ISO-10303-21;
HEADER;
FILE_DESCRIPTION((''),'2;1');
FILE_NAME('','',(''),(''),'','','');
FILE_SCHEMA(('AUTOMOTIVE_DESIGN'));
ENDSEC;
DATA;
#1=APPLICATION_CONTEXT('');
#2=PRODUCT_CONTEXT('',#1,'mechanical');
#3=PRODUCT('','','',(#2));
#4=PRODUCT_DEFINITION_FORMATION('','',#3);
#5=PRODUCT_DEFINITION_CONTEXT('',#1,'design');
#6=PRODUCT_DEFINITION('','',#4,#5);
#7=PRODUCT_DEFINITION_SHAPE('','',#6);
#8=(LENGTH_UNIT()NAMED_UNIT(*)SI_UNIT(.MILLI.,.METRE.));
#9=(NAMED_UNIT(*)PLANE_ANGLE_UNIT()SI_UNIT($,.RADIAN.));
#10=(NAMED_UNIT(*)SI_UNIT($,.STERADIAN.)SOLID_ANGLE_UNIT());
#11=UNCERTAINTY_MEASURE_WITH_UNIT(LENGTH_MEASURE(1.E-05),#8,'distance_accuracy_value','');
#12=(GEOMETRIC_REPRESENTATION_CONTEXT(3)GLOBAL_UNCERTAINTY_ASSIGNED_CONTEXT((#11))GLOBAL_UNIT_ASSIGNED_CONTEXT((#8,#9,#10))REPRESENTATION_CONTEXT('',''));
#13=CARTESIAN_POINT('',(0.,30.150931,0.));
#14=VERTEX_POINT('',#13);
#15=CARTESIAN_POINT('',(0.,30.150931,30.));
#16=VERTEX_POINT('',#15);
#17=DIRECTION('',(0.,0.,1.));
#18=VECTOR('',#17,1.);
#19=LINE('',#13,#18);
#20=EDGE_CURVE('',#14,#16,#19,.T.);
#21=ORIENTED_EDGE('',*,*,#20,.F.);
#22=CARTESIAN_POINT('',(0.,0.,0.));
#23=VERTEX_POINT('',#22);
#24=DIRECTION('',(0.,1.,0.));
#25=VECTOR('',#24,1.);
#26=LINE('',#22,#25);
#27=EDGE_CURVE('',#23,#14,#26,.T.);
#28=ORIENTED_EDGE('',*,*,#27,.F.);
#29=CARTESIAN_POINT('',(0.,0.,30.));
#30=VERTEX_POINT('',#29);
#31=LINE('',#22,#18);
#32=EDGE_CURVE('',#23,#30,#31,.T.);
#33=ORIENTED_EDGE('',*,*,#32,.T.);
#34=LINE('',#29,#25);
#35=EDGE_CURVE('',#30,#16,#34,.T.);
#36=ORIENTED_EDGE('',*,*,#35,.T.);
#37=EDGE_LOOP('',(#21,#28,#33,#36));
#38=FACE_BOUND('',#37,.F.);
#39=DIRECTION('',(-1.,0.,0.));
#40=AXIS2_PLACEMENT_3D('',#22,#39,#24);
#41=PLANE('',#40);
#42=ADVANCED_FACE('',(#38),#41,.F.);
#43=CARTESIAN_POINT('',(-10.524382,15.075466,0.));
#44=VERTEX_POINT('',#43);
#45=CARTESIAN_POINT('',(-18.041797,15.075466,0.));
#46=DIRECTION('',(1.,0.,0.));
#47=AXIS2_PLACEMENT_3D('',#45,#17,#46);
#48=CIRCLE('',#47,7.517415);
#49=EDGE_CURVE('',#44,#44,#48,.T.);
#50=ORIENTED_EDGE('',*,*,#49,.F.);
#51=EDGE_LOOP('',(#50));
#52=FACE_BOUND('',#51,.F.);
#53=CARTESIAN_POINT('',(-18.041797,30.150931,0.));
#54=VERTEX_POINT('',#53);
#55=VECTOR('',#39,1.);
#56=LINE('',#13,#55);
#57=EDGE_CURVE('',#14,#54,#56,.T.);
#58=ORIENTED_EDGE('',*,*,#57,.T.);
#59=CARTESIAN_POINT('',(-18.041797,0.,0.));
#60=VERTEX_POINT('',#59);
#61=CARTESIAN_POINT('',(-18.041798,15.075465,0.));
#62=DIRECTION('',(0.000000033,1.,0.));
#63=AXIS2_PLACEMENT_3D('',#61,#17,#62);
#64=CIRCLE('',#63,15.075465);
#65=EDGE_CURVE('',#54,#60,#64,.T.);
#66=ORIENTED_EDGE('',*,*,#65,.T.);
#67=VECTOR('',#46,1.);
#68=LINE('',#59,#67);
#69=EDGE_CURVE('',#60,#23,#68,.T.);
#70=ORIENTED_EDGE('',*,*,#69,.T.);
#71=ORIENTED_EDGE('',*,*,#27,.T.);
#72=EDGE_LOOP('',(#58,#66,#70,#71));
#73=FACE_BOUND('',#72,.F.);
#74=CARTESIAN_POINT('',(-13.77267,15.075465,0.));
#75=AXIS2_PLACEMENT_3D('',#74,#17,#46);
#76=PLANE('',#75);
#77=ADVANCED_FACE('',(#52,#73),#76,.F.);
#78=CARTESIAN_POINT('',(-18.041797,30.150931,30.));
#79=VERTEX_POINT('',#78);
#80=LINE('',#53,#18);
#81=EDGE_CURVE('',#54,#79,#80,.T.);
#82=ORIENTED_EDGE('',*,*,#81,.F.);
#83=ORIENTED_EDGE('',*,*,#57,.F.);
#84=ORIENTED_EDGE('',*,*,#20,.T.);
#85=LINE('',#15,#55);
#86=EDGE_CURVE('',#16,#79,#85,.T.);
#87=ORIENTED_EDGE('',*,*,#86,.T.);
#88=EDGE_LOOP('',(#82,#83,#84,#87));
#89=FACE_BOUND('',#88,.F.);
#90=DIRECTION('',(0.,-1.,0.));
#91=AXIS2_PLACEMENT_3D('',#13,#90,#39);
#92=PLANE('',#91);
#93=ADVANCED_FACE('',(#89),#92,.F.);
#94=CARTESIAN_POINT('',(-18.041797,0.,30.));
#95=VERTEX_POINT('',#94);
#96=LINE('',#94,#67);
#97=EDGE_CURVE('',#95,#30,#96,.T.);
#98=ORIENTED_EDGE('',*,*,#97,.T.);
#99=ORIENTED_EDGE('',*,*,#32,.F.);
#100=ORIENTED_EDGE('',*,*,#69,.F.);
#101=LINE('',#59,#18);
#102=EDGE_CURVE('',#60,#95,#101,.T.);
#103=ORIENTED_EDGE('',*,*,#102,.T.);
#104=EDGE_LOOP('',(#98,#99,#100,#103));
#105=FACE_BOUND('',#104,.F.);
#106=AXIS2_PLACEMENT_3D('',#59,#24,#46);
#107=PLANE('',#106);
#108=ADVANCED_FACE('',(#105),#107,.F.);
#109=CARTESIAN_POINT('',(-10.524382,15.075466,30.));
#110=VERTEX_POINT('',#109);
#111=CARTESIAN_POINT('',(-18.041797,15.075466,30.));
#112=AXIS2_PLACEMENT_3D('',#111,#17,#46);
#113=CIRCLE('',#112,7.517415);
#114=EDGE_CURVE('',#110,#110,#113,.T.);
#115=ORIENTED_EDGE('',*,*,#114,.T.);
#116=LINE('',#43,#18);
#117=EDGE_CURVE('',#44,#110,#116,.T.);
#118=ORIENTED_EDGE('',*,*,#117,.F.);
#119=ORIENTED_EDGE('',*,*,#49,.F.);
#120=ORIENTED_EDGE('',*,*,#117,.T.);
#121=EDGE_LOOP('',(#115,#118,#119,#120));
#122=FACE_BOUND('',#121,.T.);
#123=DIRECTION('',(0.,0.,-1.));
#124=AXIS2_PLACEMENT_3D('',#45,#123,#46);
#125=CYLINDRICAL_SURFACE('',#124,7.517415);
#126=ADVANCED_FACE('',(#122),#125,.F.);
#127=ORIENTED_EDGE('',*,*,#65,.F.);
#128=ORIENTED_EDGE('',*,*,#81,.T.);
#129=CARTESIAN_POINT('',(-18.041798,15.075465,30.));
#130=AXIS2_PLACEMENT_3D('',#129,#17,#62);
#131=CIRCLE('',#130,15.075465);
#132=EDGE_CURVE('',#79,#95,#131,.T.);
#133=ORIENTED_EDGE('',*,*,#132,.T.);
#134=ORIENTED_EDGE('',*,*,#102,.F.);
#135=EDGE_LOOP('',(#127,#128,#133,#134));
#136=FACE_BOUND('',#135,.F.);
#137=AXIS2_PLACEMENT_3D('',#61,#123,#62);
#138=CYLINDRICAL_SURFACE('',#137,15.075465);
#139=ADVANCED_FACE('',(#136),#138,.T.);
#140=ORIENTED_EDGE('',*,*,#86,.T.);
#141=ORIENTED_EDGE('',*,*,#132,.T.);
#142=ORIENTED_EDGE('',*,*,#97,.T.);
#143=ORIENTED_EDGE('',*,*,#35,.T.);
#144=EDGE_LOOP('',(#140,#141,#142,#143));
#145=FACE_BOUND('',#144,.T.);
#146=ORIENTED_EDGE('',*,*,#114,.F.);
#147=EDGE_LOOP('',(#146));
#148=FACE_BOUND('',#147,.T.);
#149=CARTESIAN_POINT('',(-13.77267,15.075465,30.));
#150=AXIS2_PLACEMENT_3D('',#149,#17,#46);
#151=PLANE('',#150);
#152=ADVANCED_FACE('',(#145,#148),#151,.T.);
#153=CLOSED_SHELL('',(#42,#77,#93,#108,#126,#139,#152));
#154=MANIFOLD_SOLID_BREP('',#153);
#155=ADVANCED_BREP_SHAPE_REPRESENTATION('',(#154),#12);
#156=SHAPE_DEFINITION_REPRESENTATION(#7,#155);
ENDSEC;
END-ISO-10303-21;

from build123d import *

# Parameters (mm, degrees)
F0_R     = 7.517415
F1_DEPTH = 30


with BuildPart() as f1:
    # F0 (on Top) → F1 (new body)
    with BuildSketch(Plane.XY):
        with BuildLine():
            Line((-18.041797, 0), (0, 0))
            Line((0, 0), (0, 11.458979))
            Line((0, 11.458979), (0, 18.77322))
            Line((0, 18.77322), (0, 30.150931))
            Line((0, 30.150931), (-18.041797, 30.150931))
            ThreePointArc((-18.041797, 30.150931), (-33.117263, 15.075466), (-18.041797, 0))
        make_face()
        with Locations((-18.041797, 15.075466)):
            Circle(F0_R, mode=Mode.SUBTRACT)
    extrude(amount=F1_DEPTH)


solid = f1.part
